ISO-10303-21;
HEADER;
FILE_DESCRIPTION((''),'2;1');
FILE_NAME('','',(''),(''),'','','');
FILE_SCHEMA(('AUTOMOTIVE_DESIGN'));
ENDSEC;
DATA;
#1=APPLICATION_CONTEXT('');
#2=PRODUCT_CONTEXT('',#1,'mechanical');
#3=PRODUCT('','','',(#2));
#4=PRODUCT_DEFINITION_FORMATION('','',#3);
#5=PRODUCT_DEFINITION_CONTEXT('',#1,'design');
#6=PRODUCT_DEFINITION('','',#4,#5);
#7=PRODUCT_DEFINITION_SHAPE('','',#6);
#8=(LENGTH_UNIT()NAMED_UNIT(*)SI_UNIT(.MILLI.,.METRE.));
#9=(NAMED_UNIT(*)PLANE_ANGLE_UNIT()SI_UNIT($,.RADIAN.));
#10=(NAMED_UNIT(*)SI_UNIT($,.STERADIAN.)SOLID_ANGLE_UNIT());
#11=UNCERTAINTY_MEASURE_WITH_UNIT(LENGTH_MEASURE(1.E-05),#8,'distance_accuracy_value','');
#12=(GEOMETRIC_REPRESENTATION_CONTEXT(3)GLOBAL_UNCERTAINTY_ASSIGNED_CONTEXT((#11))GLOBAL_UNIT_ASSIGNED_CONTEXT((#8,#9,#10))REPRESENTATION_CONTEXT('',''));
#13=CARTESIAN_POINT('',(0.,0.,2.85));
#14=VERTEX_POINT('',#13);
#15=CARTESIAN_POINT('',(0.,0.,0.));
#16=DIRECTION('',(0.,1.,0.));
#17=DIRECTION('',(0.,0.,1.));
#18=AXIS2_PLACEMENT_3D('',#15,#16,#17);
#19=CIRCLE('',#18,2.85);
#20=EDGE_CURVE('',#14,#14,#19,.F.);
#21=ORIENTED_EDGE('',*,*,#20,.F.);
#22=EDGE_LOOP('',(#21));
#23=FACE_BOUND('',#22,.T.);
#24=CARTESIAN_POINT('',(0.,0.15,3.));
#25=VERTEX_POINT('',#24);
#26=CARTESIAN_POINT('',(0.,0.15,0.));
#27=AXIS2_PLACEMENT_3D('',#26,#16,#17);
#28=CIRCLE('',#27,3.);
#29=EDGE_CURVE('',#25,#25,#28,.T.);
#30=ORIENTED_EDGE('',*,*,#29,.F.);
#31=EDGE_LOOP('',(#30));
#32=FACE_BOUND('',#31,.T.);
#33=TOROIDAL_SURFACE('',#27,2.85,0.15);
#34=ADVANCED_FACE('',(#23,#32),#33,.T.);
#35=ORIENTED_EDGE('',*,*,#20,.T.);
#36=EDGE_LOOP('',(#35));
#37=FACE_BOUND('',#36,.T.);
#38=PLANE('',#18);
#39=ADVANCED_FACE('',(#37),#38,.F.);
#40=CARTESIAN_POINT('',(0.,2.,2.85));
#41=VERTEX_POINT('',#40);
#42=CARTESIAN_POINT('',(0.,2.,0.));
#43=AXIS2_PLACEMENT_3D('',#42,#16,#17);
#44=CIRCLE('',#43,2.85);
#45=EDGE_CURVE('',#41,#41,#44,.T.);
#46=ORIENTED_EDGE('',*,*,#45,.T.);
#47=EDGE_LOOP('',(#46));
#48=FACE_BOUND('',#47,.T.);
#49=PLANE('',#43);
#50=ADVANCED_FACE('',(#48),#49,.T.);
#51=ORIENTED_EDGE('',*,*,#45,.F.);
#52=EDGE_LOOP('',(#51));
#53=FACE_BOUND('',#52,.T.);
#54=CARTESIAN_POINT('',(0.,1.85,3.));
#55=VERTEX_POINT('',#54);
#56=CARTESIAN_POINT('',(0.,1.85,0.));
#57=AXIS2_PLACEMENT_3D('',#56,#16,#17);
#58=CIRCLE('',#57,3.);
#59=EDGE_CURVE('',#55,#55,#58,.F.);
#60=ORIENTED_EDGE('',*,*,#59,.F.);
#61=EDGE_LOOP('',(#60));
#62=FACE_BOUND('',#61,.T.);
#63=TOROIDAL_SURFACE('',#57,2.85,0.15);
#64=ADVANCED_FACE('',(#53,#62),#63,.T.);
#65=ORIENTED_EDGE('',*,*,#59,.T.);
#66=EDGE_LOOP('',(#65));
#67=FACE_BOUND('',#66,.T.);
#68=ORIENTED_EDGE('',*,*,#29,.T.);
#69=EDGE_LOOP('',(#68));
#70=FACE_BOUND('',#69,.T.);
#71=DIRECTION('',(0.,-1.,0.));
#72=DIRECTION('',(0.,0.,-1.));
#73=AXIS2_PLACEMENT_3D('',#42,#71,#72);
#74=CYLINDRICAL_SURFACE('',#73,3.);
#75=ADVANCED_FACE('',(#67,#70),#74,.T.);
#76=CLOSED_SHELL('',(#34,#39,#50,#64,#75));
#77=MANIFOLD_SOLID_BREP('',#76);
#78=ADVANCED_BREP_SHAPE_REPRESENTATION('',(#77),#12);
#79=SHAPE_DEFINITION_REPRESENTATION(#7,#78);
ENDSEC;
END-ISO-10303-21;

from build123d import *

# Parameters (mm, degrees)
SKIZZE1_R                       = 3
AUFSATZ_LINEAR_AUSTRAGEN1_DEPTH = 2
VERRUNDUNG1_R                   = 0.15


with BuildPart() as part:
    # Skizze1 → Aufsatz-Linear austragen1 (new body)
    with BuildSketch(Plane(origin=(0, 0, 0), x_dir=(1, 0, 0), z_dir=(0, 1, 0))):
        with Locations(Location((0, 0, 0), (0, 0, 270))):
            Circle(SKIZZE1_R)
    extrude(amount=AUFSATZ_LINEAR_AUSTRAGEN1_DEPTH)

    # Verrundung1
    verrundung1_edges = [part.edges().sort_by_distance(p)[0] for p in [
        (0, 0, -3),
        (0, 2, -3),
    ]]
    fillet(verrundung1_edges, radius=VERRUNDUNG1_R)


solid = part.part
